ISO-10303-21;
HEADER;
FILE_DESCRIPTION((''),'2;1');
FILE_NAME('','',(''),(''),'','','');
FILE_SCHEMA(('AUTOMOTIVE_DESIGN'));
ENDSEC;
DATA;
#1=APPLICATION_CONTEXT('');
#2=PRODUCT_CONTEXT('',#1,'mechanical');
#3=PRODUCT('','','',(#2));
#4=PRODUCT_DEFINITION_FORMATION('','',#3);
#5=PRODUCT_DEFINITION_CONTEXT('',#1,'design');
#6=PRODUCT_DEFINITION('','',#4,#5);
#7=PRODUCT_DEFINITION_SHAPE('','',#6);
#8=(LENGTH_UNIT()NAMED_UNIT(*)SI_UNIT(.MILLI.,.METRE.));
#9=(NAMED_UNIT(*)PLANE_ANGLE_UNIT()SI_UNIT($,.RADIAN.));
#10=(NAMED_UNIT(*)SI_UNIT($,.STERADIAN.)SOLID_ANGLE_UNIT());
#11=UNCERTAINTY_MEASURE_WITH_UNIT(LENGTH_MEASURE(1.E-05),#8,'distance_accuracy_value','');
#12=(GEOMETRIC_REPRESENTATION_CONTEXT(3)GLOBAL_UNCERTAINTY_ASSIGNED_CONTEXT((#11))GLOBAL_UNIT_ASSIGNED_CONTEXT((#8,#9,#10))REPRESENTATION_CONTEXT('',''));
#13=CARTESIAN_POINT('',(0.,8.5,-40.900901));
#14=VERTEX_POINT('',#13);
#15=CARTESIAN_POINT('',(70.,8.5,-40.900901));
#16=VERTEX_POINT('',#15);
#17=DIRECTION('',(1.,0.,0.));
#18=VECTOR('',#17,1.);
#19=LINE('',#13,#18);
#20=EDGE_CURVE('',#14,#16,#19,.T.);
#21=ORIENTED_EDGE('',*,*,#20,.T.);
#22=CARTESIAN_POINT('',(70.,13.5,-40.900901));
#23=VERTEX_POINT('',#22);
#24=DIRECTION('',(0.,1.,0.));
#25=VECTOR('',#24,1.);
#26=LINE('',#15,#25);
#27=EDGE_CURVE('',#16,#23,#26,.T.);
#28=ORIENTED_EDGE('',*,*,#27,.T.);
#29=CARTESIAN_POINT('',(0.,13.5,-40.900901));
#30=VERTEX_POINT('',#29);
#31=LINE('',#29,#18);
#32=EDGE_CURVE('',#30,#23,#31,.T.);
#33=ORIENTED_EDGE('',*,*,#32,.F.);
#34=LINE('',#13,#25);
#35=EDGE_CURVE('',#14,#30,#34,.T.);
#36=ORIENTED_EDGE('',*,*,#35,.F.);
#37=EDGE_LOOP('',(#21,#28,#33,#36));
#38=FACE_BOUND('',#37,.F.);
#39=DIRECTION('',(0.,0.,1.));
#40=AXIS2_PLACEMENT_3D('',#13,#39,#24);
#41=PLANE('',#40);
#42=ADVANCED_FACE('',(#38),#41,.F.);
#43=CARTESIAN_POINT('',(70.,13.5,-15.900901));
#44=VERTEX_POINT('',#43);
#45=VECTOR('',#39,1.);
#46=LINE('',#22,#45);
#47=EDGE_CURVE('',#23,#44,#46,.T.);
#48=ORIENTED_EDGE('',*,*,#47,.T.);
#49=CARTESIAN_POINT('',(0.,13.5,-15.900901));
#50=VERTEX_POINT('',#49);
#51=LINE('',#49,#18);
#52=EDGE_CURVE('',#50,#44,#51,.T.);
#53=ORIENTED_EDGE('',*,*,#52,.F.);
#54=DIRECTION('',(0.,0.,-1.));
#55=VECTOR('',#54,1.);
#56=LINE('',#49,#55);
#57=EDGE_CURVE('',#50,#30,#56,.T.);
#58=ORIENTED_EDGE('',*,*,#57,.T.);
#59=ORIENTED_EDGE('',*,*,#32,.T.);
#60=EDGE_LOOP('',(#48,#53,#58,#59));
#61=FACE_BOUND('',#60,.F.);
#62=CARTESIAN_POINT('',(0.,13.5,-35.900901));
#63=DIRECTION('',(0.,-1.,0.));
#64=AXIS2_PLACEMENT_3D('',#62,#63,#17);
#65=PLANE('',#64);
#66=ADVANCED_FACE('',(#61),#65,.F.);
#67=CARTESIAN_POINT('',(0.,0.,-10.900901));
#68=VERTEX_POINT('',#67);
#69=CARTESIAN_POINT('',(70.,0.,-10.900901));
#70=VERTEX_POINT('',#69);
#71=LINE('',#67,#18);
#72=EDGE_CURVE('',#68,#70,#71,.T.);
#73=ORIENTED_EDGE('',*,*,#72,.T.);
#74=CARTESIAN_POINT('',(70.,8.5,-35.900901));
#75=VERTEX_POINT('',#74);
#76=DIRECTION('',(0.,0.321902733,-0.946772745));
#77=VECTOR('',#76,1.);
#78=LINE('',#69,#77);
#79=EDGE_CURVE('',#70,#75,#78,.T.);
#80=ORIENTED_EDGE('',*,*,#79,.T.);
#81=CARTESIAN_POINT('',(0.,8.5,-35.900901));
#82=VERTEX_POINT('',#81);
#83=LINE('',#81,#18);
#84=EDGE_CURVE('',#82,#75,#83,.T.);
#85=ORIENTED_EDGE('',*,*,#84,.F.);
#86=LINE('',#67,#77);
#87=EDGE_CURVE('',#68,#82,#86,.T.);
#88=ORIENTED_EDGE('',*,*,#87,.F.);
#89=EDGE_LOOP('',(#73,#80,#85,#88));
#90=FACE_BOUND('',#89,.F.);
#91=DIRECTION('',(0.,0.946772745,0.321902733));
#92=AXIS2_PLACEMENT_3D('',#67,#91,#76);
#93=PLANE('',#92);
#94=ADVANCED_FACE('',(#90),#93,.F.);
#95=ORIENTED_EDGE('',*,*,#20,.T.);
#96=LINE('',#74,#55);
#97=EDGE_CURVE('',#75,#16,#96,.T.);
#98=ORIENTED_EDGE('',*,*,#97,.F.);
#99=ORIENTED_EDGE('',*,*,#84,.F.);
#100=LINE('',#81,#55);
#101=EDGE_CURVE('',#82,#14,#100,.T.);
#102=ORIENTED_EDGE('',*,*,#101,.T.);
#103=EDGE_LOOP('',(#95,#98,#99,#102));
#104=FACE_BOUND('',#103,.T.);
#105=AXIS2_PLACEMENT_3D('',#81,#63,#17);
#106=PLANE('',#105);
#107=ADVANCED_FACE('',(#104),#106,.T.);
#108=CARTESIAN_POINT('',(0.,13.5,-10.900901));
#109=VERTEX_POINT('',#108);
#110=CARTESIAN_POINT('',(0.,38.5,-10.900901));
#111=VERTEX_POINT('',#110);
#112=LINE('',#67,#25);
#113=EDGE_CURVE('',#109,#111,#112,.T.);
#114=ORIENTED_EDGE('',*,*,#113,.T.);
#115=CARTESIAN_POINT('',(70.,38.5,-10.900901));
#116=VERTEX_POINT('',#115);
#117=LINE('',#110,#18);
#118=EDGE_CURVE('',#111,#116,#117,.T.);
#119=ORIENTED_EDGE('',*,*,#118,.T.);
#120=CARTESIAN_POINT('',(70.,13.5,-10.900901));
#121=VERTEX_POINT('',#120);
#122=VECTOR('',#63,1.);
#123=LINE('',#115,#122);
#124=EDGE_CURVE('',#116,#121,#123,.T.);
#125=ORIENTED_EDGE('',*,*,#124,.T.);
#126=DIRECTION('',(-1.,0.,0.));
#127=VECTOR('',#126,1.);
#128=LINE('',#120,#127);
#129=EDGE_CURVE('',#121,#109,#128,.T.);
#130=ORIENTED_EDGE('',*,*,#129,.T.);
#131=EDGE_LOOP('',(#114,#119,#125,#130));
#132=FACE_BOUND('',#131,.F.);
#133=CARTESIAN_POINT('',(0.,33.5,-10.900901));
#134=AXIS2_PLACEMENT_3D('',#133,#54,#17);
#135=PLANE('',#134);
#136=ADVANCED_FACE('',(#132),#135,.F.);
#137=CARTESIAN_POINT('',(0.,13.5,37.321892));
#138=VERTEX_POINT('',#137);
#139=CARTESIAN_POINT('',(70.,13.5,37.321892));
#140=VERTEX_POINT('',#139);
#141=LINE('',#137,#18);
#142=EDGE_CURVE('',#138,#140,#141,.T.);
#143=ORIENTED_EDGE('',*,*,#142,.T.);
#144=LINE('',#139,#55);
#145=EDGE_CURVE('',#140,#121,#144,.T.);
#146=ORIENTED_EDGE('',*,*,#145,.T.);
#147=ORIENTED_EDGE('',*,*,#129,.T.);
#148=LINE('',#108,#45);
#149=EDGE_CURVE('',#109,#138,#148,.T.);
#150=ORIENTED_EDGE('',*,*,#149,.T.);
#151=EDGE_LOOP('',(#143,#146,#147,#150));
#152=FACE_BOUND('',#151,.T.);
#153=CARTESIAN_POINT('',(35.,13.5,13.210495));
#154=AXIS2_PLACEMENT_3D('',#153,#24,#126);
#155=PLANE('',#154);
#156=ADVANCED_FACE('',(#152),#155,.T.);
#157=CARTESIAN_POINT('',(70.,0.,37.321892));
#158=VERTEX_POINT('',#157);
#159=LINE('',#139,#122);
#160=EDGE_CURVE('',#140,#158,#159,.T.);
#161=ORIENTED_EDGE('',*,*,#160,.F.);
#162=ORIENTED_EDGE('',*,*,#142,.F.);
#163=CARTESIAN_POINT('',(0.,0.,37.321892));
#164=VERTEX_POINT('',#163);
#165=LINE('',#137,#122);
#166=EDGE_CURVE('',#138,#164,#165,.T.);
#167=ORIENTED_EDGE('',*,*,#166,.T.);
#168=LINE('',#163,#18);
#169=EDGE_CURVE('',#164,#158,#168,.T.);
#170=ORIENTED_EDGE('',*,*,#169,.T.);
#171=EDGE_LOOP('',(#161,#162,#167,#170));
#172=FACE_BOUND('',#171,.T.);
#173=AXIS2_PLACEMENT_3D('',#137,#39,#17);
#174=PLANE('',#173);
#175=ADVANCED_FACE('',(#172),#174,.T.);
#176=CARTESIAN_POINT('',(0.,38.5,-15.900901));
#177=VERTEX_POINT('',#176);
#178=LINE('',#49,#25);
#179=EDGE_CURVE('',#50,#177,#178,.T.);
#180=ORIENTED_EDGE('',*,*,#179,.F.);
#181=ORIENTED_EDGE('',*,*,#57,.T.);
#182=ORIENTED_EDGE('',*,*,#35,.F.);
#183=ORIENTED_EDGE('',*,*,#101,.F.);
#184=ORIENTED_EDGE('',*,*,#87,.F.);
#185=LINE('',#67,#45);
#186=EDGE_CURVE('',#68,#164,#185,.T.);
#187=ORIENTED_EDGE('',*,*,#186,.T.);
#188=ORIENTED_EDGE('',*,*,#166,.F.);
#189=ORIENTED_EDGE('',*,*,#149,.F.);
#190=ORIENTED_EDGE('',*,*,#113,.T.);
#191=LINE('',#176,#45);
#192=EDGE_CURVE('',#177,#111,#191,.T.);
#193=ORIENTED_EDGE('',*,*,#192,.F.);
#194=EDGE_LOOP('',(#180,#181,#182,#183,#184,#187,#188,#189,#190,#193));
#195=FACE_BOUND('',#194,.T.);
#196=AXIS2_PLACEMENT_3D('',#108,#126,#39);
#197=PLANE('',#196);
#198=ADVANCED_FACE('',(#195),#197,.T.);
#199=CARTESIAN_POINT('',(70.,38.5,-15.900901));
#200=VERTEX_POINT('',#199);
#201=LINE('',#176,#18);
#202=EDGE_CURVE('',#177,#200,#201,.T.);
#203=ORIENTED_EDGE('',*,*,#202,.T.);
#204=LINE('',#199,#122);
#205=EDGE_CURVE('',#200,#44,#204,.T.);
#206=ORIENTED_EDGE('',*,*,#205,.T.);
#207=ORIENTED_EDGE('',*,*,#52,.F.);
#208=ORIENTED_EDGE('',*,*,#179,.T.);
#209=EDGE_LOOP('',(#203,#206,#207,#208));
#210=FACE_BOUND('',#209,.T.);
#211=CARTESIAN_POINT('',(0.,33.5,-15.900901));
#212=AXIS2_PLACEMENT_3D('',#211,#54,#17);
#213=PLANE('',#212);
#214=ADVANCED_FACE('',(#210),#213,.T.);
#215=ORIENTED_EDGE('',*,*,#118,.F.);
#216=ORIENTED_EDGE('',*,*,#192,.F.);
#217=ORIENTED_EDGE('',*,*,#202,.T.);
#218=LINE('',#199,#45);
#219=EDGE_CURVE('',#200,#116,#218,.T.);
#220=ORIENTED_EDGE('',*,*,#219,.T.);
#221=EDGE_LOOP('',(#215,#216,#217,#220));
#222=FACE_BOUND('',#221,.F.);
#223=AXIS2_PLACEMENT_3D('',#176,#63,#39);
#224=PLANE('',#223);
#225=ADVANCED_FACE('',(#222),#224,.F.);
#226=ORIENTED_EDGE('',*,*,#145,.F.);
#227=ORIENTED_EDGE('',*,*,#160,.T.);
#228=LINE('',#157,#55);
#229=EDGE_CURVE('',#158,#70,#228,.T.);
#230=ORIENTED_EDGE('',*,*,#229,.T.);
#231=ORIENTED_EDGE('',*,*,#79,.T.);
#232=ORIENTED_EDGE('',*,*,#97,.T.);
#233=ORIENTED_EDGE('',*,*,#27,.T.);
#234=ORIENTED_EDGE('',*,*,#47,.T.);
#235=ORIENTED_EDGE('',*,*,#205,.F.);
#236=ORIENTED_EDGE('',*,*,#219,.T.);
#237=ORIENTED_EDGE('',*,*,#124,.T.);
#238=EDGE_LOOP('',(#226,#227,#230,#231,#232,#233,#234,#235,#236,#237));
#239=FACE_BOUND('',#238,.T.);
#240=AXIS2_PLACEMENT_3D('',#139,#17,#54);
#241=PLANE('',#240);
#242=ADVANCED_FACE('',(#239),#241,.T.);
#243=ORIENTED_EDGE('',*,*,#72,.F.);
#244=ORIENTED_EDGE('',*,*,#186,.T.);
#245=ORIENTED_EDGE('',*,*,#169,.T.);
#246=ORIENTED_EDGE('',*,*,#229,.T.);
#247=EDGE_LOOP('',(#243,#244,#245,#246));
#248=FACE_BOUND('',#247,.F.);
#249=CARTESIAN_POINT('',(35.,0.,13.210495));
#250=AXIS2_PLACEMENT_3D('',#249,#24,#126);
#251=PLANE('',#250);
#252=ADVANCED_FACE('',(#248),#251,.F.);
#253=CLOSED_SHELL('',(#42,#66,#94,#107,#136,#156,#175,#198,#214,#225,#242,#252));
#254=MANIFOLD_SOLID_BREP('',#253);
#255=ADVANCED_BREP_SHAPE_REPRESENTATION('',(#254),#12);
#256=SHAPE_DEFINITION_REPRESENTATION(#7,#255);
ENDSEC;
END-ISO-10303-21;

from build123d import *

# Parameters (mm, degrees)
F1_DEPTH = 70
F2_DEPTH = 5
F4_DEPTH = 25
F5_DEPTH = 5
F6_DEPTH = 5
F7_DEPTH = 13.5


with BuildPart() as f1:
    # F0 (on Right) → F1 (new body)
    with BuildSketch(Plane.YZ):
        Polygon((0, 26.0990989228), (0, 0), (0, -10.9009010772), (8.5, -35.9009010772), (13.5, -35.9009010772), (13.5, -15.9009010772), (33.5, -15.9009010772), (33.5, -10.9009010772), (13.5, -10.9009010772), (13.5, -5.7190796932), (13.5, 8.0284756223), (13.5, 26.0990989228), align=None)
    extrude(amount=F1_DEPTH)

    # F2 (add): a face of the model
    f2_faces = [f1.faces().sort_by_distance(p)[0] for p in [
        (35, 6.75, 26.0990989228),
    ]]
    extrude(f2_faces, amount=F2_DEPTH)

    # F3 (on face) → F4 (cut)
    with BuildSketch(Plane(origin=(0, 13.5, 0), x_dir=(-1, 0, 0), z_dir=(0, 1, 0))):
        Polygon((-70, 37.3218916357), (-70, 31.0990989228), (-40, 31.0990989228), (-35, 31.0990989228), (-30, 31.0990989228), (0, 31.0990989228), (0, 37.3218916357), align=None)
        Polygon((-70, -6.9171057179), (-70, -10.9009010772), (0, -10.9009010772), (0, -6.9171057179), (0, 31.0990989228), (-30, 31.0990989228), (-35, 31.0990989228), (-40, 31.0990989228), (-70, 31.0990989228), align=None)
    extrude(amount=-F4_DEPTH, mode=Mode.SUBTRACT)

    # F5 (add): a face of the model
    f5_faces = [f1.faces().sort_by_distance(p)[0] for p in [
        (35, 33.5, -13.4009010772),
    ]]
    extrude(f5_faces, amount=F5_DEPTH)

    # F6 (add): a face of the model
    f6_faces = [f1.faces().sort_by_distance(p)[0] for p in [
        (35, 11, -35.9009010772),
    ]]
    extrude(f6_faces, amount=F6_DEPTH)

    # F3 (on face) → F7 (join)
    with BuildSketch(Plane(origin=(0, 13.5, 0), x_dir=(-1, 0, 0), z_dir=(0, 1, 0))):
        Polygon((-70, -6.9171057179), (-70, -10.9009010772), (0, -10.9009010772), (0, -6.9171057179), (0, 37.3218916357), (-70, 37.3218916357), (-70, 31.0990989228), align=None)
    extrude(amount=-F7_DEPTH)


solid = f1.part
